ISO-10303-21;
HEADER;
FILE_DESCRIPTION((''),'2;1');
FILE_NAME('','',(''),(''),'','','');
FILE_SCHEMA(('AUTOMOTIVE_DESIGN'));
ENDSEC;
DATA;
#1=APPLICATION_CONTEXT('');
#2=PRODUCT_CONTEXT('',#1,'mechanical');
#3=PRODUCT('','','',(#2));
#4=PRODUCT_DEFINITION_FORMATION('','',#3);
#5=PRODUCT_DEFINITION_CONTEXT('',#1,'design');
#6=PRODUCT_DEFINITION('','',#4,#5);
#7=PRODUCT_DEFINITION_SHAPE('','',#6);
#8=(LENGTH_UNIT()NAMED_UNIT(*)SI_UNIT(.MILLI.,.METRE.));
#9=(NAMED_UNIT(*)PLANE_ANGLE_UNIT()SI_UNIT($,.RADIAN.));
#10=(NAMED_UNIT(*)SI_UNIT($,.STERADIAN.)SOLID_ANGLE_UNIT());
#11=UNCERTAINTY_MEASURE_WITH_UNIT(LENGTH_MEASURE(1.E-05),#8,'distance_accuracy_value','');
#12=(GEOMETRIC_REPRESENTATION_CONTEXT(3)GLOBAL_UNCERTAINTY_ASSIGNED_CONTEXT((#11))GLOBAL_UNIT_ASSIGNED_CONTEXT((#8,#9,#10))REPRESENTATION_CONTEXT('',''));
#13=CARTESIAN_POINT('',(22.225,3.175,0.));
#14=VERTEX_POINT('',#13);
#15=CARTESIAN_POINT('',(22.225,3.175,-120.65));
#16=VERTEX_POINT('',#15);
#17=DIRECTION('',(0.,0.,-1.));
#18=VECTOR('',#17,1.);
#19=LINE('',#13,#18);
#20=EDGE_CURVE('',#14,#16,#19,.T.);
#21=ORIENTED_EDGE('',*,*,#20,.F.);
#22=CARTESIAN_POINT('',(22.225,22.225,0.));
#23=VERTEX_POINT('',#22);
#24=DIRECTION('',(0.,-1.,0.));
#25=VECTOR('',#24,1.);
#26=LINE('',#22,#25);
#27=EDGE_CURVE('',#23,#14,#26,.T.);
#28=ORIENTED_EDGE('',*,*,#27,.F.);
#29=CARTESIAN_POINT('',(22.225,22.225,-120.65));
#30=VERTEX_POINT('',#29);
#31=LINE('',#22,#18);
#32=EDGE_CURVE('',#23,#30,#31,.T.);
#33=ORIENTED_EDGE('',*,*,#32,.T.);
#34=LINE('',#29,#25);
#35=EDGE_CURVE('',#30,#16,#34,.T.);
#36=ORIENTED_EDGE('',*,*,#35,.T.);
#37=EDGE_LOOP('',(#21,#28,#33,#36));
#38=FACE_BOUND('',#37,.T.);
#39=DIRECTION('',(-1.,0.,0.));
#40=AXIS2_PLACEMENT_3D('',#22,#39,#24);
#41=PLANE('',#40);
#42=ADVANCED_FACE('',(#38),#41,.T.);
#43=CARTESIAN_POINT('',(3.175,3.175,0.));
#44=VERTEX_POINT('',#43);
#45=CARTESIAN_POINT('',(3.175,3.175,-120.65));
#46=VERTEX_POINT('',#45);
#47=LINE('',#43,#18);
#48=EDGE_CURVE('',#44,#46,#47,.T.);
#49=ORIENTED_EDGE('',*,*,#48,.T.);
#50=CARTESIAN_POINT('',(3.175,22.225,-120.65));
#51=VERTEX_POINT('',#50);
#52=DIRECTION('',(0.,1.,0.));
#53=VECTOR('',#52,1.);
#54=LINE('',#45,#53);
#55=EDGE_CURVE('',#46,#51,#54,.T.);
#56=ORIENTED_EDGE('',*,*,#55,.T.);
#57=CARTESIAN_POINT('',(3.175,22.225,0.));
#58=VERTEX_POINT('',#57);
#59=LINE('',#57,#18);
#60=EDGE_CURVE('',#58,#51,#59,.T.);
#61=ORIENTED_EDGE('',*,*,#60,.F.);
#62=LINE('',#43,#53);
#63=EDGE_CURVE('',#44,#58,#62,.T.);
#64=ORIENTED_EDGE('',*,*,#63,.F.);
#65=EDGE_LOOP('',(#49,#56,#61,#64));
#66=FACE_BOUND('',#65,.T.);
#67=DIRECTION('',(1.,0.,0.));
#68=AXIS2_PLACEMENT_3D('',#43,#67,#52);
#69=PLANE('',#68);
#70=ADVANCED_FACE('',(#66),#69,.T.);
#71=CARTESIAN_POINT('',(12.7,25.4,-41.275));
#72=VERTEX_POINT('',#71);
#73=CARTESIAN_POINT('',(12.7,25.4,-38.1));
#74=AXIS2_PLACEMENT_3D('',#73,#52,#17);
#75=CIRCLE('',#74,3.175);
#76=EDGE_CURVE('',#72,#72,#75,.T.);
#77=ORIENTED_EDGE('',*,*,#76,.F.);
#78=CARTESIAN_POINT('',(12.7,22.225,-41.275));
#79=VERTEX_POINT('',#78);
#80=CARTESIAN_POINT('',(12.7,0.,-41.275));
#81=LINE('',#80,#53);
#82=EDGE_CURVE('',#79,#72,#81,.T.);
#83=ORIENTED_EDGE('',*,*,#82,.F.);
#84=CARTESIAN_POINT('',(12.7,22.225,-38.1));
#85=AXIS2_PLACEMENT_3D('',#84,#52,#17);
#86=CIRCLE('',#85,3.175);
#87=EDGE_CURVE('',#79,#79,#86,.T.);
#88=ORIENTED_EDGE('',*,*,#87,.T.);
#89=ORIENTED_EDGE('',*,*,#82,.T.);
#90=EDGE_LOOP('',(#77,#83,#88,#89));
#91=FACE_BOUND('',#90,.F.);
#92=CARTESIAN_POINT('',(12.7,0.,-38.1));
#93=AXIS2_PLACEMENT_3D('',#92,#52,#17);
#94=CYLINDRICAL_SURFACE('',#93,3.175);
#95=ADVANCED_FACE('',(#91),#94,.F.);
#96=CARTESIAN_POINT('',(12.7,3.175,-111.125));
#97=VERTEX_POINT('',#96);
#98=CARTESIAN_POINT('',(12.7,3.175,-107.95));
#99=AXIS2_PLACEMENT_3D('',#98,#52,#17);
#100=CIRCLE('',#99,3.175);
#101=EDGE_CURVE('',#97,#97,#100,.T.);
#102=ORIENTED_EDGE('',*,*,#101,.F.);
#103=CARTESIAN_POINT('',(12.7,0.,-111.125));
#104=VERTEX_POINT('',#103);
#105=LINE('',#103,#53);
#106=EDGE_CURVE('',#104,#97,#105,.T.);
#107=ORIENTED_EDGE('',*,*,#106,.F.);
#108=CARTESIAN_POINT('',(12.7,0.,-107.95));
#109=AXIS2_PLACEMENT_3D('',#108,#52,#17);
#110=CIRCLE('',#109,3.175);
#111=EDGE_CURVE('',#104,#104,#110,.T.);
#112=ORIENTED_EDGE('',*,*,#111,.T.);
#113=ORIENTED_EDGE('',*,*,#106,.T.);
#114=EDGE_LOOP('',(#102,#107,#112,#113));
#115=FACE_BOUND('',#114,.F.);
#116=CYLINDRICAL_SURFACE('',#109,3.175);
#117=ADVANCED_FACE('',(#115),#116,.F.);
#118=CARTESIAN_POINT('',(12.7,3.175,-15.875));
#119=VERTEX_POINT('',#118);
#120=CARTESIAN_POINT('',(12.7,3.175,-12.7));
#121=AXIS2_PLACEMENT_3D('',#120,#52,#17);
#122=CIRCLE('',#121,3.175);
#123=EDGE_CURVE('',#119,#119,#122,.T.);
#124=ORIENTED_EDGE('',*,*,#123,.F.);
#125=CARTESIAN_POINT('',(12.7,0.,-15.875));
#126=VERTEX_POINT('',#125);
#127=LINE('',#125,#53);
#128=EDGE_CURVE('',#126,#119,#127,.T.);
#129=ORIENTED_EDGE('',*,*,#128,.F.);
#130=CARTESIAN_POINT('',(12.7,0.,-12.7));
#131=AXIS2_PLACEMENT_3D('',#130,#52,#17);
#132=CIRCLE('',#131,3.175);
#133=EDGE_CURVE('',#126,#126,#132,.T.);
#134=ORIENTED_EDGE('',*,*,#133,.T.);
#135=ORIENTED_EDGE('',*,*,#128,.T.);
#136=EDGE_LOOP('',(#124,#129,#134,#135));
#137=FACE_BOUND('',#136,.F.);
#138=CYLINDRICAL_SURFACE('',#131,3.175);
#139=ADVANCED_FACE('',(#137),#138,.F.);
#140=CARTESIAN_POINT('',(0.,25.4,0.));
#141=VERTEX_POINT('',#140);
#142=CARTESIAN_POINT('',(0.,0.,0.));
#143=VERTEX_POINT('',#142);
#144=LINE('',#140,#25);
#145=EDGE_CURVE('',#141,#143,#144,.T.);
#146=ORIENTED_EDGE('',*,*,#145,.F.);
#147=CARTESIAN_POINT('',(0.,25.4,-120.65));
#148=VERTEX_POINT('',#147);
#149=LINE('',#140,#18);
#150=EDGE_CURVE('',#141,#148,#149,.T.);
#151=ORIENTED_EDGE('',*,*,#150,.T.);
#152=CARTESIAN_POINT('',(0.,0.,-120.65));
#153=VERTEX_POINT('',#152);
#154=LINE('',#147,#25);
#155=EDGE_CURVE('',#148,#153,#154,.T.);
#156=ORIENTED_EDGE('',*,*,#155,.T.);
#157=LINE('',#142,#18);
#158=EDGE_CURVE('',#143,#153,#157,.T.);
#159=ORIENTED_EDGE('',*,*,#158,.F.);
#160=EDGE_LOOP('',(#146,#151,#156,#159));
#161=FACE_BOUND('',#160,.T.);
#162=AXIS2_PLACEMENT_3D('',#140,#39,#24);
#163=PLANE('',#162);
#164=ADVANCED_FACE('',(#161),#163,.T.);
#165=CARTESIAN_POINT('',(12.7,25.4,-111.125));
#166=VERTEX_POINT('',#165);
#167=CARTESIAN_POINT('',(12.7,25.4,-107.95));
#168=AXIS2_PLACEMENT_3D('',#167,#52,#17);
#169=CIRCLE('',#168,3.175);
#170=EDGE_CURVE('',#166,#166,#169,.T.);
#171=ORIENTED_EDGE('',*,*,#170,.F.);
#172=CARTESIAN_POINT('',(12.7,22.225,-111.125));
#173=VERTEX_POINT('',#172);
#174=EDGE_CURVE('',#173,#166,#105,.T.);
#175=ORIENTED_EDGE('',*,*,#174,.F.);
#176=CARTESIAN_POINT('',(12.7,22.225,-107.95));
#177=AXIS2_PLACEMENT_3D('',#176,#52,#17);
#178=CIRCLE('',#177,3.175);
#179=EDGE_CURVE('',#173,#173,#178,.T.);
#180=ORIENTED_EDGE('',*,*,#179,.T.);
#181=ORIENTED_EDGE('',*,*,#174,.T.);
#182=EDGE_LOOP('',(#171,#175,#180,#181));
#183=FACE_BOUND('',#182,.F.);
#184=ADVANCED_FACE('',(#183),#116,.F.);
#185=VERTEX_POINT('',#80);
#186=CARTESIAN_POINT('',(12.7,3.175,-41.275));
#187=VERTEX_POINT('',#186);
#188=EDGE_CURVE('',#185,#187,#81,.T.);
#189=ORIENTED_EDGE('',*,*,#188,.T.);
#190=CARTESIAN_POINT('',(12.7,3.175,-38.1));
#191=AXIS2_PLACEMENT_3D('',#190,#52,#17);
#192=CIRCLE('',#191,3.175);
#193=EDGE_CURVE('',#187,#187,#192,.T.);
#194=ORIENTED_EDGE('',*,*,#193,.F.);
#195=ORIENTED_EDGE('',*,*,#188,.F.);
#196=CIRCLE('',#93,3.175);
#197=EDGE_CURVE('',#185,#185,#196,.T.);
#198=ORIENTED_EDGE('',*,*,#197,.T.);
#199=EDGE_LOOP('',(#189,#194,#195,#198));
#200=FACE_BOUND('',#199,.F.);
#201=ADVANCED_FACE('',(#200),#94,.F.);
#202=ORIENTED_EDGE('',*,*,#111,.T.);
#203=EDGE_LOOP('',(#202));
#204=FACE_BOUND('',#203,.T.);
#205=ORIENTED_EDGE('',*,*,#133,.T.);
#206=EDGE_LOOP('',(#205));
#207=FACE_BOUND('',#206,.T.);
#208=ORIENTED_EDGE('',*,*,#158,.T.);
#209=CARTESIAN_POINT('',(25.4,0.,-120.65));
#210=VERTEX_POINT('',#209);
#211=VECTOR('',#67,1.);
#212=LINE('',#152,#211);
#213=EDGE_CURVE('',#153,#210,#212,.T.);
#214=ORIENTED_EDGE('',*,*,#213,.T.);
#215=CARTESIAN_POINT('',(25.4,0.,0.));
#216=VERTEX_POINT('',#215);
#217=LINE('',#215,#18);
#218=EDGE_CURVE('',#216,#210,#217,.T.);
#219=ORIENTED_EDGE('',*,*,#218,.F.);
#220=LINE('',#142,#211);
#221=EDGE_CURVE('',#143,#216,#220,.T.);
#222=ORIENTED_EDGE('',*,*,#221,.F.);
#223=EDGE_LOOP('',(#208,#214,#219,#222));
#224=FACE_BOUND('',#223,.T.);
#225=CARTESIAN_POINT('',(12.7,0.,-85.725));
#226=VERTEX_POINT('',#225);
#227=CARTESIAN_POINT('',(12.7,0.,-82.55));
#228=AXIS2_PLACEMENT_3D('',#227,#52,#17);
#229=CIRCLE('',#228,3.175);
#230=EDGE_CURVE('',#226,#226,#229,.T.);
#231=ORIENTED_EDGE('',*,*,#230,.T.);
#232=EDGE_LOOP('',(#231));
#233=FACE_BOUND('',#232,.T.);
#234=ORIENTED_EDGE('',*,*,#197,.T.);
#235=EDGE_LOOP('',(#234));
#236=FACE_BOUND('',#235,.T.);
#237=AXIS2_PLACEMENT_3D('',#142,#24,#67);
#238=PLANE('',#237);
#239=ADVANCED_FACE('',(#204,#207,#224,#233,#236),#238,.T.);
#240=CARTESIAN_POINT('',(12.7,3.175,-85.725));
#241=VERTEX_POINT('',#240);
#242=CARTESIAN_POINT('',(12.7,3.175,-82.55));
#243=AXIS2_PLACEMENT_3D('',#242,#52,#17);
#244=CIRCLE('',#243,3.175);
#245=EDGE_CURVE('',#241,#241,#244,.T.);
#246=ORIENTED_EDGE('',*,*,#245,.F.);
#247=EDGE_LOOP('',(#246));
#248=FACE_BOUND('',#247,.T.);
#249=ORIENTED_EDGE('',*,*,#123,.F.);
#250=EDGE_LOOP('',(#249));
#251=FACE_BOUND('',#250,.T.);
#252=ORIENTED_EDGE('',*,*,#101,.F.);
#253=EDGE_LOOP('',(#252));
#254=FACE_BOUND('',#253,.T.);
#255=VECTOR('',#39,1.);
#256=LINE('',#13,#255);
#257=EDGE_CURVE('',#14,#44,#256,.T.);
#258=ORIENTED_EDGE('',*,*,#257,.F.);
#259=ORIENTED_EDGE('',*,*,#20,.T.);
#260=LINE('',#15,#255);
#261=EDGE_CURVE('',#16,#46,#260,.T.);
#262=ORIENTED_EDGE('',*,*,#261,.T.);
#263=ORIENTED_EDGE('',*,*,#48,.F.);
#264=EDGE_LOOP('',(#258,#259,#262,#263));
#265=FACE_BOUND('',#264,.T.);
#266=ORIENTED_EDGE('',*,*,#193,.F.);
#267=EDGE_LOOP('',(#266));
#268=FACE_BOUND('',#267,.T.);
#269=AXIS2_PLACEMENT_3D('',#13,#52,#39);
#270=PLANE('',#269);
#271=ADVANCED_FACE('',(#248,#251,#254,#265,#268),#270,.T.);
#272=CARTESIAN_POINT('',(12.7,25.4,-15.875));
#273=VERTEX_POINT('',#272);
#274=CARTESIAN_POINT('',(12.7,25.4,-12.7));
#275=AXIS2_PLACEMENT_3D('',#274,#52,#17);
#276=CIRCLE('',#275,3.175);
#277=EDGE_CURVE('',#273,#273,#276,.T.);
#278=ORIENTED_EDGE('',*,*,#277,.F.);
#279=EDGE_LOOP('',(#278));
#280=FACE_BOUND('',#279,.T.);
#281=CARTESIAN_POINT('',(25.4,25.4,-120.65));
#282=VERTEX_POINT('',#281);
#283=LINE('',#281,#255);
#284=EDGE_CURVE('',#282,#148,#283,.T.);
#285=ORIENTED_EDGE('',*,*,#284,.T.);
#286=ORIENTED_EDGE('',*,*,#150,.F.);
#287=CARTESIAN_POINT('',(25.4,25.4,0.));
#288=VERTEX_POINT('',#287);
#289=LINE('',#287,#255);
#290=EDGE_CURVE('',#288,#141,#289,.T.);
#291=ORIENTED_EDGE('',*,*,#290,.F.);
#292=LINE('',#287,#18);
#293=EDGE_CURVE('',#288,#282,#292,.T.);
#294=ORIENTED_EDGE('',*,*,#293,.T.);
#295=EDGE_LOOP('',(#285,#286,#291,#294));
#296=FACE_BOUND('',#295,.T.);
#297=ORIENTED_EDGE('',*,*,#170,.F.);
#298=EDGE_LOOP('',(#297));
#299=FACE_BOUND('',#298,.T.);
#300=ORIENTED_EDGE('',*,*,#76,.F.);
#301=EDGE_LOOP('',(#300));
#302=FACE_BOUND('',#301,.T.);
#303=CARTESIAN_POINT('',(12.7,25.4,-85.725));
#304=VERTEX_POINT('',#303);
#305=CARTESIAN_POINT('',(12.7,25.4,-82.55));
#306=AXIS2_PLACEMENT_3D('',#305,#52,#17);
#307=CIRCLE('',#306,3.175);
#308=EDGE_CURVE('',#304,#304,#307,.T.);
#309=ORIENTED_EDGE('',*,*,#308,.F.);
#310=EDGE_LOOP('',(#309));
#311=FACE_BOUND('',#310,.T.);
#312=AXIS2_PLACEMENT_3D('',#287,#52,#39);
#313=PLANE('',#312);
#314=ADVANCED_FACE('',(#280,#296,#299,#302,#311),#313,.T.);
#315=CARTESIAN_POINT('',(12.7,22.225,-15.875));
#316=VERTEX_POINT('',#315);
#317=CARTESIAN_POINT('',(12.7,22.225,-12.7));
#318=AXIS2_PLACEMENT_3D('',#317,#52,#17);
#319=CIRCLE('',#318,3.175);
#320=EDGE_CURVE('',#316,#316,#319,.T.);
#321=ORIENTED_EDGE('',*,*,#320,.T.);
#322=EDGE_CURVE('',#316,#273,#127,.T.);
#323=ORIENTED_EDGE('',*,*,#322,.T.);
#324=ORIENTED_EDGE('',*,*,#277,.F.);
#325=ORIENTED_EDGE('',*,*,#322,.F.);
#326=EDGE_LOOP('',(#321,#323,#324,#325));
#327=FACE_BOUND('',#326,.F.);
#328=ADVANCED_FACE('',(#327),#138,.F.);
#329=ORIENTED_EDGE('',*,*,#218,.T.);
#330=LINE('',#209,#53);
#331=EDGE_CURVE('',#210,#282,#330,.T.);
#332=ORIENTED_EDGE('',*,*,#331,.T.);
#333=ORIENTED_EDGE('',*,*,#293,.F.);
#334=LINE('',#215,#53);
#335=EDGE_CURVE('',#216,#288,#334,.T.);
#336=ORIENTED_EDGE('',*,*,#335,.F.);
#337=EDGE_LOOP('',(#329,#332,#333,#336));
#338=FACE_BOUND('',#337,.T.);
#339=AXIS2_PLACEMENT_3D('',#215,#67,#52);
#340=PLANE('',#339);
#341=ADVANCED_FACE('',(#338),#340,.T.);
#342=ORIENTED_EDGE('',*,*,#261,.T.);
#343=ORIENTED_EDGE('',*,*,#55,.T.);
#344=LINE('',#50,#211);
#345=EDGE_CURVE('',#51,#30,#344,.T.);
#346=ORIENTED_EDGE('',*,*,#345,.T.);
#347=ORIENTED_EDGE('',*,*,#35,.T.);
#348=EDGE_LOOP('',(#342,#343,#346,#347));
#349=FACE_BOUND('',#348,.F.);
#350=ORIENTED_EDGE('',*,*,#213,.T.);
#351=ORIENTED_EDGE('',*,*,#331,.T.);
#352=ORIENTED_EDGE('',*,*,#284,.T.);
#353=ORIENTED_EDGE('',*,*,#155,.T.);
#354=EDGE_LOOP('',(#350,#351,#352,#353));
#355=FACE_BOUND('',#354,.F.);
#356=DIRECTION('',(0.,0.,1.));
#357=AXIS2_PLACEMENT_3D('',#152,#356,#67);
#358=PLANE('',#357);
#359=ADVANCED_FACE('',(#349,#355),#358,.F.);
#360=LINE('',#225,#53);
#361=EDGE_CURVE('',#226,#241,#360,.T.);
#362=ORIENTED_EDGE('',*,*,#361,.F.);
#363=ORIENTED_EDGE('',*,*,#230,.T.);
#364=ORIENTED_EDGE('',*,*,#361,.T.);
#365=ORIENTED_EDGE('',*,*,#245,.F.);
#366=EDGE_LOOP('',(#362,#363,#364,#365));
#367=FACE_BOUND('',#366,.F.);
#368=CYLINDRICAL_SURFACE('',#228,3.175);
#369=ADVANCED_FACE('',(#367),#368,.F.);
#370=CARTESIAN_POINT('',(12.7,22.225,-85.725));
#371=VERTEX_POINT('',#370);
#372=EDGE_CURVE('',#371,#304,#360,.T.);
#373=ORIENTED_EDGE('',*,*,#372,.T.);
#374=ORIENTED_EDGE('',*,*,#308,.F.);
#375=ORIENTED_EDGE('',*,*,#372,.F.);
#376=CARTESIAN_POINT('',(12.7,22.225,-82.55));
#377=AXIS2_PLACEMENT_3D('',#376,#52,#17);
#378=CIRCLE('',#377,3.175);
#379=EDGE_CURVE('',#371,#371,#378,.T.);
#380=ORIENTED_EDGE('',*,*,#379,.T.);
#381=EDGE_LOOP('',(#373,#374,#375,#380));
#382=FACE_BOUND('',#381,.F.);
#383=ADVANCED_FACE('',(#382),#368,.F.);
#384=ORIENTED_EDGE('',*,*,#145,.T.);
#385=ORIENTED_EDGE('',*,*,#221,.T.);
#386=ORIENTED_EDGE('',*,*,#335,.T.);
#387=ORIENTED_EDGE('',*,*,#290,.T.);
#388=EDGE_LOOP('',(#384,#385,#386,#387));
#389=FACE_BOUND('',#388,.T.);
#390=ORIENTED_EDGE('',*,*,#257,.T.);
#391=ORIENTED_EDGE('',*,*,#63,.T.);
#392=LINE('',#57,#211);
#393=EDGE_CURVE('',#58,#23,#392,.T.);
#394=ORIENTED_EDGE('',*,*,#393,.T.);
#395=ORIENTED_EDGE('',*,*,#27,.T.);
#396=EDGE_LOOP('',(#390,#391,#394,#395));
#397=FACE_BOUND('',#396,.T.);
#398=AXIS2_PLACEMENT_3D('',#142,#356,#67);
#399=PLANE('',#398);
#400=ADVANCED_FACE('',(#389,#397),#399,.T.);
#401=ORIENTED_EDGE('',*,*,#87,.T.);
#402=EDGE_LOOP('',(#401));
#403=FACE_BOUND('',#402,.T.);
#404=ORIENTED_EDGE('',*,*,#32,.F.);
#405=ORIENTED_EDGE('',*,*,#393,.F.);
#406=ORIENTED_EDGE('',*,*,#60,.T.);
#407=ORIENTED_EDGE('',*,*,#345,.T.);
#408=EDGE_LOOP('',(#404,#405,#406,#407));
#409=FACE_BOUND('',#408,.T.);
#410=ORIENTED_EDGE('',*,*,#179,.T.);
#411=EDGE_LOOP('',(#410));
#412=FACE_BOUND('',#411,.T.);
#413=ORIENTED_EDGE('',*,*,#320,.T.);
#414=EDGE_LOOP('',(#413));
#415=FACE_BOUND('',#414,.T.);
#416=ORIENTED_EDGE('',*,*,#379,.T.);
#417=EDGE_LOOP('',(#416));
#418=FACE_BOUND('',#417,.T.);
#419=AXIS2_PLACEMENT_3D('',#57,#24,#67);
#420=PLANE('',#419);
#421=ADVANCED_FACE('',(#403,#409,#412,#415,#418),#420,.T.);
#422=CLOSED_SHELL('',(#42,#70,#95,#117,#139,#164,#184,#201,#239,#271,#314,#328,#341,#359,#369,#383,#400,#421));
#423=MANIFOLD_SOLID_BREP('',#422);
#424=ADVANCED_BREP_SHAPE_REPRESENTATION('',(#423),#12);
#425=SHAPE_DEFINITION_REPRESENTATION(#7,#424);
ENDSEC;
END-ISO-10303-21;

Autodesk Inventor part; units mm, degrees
ref_plane "YZ Plane" through (0, 0, 0) normal (1, 0, 0) x (0, 1, 0)
ref_plane "XZ Plane" through (0, 0, 0) normal (0, 1, 0) x (-1, 0, 0)
ref_plane "XY Plane" through (0, 0, 0) normal (0, 0, 1) x (1, 0, 0)
sketch "Sketch1" plane through (0, 0, 0) normal (0, 0, 1) x (1, 0, 0)
  line L0 (0, 0) -> (25.4, 0)
  line L1 (25.4, 0) -> (25.4, 25.4)
  line L2 (25.4, 25.4) -> (0, 25.4)
  line L3 (0, 25.4) -> (0, 0)
  line L4 (3.175, 22.225) -> (22.225, 22.225)
  line L5 (22.225, 22.225) -> (22.225, 3.175)
  line L6 (22.225, 3.175) -> (3.175, 3.175)
  line L7 (3.175, 3.175) -> (3.175, 22.225)
  dimension "d0" = 25.4
  dimension "d1" = 25.4
  dimension "d2" = 3.175
extrude "Extrusion1" add sketch "Sketch1" against normal blind 120.65
sketch "Sketch2" plane through (0, 0, 0) normal (0, -1, 0) x (1, 0, 0)
  line L0 (0, -120.65) -> (25.4, -120.65) projected
  line L1 (0, 0) -> (25.4, 0) projected
  point P0 (12.7, -107.95)
  point P1 (12.7, -82.55)
  point P2 (12.7, -38.1)
  point P3 (12.7, -12.7)
  point P4 (12.7, -120.65)
  dimension "d5" = 12.7
  dimension "d6" = 25.4
  dimension "d7" = 12.7
  dimension "d8" = 25.4
hole "Hole1" at (12.7, 0, -107.95) at (12.7, 0, -82.55) at (12.7, 0, -38.1) at (12.7, 0, -12.7) direction (0, 1, 0) diameter 6.35 depth 25.4 tip angle 118
properties part number "bambar 8.5 inch"
